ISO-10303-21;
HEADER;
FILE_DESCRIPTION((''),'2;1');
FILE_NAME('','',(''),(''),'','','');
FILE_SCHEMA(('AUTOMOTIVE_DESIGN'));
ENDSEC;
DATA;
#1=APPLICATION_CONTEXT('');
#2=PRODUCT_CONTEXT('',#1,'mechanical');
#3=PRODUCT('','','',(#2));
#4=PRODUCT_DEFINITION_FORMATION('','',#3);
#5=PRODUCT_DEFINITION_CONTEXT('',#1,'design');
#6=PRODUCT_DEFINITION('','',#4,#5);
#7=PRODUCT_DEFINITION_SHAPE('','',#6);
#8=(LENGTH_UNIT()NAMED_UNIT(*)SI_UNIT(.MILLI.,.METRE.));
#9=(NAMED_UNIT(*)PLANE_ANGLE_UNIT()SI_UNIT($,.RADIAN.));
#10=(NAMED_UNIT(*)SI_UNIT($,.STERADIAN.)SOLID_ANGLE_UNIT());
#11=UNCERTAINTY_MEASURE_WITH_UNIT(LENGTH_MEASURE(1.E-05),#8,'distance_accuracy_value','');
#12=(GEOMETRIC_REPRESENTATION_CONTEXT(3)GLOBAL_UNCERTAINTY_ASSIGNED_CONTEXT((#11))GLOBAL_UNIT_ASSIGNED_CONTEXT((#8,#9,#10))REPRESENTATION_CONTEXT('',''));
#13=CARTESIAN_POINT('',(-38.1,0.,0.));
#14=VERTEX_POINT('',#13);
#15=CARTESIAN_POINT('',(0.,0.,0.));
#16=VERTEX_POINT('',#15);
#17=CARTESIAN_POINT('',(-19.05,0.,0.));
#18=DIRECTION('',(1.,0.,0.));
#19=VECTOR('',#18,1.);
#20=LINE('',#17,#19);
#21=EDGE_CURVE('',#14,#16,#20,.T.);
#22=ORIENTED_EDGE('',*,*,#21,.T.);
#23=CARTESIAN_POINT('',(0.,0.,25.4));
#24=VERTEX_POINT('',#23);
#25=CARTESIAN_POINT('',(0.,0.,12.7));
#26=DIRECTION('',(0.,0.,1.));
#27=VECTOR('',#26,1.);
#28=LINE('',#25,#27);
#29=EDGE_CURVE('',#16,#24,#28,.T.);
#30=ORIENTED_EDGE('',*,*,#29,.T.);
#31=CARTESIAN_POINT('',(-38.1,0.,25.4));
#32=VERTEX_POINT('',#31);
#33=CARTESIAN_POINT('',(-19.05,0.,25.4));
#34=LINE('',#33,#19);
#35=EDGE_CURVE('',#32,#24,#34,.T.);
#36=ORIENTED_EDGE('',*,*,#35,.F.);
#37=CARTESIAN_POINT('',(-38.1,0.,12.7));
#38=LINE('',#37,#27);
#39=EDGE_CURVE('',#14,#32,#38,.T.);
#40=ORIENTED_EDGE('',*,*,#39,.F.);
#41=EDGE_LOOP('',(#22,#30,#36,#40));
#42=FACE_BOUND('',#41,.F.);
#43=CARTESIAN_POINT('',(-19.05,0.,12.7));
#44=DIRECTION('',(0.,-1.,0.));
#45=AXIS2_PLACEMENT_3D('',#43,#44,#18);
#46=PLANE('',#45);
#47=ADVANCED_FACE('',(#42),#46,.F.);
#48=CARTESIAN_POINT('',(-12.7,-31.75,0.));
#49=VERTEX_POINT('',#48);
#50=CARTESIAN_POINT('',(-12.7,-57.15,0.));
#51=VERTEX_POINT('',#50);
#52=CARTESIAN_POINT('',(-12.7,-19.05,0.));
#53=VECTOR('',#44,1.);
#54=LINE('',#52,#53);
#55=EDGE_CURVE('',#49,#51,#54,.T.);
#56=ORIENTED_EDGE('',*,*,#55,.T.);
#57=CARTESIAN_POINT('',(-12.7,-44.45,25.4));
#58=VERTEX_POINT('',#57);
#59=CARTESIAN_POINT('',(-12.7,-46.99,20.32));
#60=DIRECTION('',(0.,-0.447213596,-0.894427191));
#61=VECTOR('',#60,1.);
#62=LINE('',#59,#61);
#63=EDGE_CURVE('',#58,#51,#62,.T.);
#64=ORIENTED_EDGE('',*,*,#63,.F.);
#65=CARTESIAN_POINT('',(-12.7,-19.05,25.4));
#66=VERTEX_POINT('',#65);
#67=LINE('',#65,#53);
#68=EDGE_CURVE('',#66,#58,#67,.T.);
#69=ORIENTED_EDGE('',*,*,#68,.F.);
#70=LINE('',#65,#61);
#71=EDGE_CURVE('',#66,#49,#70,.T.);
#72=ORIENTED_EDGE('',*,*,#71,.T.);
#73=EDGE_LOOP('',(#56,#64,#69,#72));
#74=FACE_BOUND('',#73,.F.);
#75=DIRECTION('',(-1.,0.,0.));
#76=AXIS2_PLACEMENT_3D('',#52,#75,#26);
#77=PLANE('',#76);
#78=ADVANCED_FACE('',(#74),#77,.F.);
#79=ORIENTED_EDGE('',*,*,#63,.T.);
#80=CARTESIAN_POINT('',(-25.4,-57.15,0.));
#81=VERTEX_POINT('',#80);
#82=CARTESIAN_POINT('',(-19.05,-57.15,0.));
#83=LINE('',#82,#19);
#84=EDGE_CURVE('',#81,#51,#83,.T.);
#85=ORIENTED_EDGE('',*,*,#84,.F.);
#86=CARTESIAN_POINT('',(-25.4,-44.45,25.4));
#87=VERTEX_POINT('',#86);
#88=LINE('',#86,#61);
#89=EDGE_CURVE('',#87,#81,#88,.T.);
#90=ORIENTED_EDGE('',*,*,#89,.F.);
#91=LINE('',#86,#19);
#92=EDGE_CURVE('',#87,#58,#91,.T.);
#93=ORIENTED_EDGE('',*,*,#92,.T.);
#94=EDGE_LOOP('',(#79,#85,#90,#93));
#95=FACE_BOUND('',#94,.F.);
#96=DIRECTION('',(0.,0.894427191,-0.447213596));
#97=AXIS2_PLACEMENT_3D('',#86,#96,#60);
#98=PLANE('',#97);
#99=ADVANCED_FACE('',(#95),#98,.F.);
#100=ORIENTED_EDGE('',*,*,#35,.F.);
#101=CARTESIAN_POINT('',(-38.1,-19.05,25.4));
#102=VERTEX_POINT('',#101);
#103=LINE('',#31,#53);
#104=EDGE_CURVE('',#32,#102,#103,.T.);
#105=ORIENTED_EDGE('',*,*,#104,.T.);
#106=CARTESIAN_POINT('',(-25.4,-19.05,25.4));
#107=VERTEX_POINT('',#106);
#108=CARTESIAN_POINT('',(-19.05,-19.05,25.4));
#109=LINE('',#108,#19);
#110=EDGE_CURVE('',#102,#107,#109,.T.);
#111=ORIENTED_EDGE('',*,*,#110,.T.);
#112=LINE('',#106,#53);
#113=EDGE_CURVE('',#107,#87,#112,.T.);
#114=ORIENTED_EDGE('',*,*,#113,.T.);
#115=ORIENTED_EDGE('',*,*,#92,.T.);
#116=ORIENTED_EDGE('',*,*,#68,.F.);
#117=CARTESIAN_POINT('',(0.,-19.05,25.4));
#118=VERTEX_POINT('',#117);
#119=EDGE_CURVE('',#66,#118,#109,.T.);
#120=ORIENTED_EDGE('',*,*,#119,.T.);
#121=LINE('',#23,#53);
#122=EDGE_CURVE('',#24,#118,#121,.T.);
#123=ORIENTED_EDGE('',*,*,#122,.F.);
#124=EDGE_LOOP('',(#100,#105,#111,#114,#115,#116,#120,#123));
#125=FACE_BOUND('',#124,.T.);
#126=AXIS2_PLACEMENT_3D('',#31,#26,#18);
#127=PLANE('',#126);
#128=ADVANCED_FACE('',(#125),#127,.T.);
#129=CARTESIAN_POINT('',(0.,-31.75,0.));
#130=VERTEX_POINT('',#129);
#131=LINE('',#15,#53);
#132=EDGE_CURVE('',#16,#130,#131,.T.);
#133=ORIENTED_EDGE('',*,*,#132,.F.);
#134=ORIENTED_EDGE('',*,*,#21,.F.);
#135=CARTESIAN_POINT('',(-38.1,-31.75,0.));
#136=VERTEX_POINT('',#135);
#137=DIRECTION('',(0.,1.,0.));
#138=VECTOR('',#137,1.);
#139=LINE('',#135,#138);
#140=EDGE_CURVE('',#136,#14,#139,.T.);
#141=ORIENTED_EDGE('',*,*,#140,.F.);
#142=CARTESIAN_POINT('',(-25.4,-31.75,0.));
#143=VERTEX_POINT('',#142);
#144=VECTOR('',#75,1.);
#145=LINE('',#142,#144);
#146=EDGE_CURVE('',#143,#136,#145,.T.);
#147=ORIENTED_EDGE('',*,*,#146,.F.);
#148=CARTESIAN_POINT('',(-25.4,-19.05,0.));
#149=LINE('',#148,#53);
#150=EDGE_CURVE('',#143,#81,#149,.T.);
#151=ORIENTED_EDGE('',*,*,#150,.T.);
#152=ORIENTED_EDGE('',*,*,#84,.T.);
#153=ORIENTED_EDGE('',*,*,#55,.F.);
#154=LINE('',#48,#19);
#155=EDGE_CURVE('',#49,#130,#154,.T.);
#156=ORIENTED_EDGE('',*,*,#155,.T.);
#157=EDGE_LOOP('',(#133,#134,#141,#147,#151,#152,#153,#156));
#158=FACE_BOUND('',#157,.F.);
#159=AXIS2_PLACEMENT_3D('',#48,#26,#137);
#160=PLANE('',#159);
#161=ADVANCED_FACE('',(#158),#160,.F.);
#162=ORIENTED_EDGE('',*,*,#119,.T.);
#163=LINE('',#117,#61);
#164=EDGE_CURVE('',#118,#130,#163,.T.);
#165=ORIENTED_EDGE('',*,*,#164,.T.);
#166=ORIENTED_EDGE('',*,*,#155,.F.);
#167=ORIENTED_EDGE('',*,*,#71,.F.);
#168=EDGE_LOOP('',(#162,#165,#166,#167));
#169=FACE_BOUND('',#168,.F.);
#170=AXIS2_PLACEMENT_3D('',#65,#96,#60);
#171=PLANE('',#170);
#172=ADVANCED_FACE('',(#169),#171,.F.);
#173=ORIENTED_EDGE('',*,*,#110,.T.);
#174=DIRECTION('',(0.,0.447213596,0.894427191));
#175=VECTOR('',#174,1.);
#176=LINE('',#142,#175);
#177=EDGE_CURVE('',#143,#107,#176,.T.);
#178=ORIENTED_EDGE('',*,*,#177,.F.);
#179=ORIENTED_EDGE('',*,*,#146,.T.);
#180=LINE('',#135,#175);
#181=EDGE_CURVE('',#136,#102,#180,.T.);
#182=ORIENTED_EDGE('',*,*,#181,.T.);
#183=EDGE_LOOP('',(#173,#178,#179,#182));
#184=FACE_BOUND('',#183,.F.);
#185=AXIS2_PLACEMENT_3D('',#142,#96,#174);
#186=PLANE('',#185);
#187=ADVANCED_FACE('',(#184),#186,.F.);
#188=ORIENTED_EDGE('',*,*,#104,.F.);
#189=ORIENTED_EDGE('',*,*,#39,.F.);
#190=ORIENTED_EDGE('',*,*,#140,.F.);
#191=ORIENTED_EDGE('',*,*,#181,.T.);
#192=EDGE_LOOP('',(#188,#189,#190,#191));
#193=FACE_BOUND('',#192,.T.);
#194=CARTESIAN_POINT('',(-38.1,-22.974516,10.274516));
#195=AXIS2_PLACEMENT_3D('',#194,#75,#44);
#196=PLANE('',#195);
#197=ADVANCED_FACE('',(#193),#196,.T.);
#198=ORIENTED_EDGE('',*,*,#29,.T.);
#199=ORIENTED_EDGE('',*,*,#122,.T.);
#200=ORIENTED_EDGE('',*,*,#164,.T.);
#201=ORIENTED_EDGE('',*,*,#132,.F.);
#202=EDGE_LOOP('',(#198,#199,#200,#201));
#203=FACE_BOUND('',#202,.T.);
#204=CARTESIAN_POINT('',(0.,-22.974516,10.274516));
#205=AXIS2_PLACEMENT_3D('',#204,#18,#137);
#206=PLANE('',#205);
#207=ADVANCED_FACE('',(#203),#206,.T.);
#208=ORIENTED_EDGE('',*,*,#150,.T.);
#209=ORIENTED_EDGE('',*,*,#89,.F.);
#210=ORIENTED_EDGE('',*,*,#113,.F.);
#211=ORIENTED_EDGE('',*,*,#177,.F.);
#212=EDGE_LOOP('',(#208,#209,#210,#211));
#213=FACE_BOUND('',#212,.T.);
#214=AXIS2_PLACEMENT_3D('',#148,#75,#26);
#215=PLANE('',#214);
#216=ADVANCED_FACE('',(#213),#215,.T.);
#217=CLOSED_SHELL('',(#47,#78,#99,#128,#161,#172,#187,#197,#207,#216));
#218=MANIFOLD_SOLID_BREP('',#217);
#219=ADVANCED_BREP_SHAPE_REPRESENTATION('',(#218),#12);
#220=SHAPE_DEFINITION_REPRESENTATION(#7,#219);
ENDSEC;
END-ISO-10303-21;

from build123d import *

# Parameters (mm, degrees)
F0_W     = 38.1
F0_H     = 25.4
F1_DEPTH = 19.05
F2_W     = 12.7
F2_H     = 25.4
F3_DEPTH = 38.1
F5_DEPTH = 25.4
F7_DEPTH = 12.7
F9_DEPTH = 12.7


with BuildPart() as f1:
    # F0 (on Front) → F1 (new body)
    with BuildSketch(Plane.XZ):
        with Locations((-19.05, 12.7)):
            Rectangle(F0_W, F0_H)
    extrude(amount=F1_DEPTH)

    # F2 (on face) → F3 (join)
    with BuildSketch(Plane.XZ.offset(19.05)):
        with Locations((-19.05, 12.7)):
            Rectangle(F2_W, F2_H)
    extrude(amount=F3_DEPTH)

    # F4 (on face) → F5 (cut)
    with BuildSketch(Plane(origin=(-25.4, 0, 0), x_dir=(0, -1, 0), z_dir=(-1, 0, 0))):
        Polygon((44.45, 25.4), (57.15, 0), (57.15, 25.4), align=None)
    extrude(amount=-F5_DEPTH, mode=Mode.SUBTRACT)

    # F6 (on face) → F7 (join)
    with BuildSketch(Plane(origin=(-25.4, 0, 0), x_dir=(0, -1, 0), z_dir=(-1, 0, 0))):
        Polygon((19.05, 0), (31.75, 0), (19.05, 25.4), align=None)
    extrude(amount=F7_DEPTH)

    # F8 (on face) → F9 (join)
    with BuildSketch(Plane.YZ.offset(-12.7)):
        Polygon((-19.05, 25.4), (-31.75, 0), (-19.05, 0), align=None)
    extrude(amount=F9_DEPTH)


solid = f1.part
